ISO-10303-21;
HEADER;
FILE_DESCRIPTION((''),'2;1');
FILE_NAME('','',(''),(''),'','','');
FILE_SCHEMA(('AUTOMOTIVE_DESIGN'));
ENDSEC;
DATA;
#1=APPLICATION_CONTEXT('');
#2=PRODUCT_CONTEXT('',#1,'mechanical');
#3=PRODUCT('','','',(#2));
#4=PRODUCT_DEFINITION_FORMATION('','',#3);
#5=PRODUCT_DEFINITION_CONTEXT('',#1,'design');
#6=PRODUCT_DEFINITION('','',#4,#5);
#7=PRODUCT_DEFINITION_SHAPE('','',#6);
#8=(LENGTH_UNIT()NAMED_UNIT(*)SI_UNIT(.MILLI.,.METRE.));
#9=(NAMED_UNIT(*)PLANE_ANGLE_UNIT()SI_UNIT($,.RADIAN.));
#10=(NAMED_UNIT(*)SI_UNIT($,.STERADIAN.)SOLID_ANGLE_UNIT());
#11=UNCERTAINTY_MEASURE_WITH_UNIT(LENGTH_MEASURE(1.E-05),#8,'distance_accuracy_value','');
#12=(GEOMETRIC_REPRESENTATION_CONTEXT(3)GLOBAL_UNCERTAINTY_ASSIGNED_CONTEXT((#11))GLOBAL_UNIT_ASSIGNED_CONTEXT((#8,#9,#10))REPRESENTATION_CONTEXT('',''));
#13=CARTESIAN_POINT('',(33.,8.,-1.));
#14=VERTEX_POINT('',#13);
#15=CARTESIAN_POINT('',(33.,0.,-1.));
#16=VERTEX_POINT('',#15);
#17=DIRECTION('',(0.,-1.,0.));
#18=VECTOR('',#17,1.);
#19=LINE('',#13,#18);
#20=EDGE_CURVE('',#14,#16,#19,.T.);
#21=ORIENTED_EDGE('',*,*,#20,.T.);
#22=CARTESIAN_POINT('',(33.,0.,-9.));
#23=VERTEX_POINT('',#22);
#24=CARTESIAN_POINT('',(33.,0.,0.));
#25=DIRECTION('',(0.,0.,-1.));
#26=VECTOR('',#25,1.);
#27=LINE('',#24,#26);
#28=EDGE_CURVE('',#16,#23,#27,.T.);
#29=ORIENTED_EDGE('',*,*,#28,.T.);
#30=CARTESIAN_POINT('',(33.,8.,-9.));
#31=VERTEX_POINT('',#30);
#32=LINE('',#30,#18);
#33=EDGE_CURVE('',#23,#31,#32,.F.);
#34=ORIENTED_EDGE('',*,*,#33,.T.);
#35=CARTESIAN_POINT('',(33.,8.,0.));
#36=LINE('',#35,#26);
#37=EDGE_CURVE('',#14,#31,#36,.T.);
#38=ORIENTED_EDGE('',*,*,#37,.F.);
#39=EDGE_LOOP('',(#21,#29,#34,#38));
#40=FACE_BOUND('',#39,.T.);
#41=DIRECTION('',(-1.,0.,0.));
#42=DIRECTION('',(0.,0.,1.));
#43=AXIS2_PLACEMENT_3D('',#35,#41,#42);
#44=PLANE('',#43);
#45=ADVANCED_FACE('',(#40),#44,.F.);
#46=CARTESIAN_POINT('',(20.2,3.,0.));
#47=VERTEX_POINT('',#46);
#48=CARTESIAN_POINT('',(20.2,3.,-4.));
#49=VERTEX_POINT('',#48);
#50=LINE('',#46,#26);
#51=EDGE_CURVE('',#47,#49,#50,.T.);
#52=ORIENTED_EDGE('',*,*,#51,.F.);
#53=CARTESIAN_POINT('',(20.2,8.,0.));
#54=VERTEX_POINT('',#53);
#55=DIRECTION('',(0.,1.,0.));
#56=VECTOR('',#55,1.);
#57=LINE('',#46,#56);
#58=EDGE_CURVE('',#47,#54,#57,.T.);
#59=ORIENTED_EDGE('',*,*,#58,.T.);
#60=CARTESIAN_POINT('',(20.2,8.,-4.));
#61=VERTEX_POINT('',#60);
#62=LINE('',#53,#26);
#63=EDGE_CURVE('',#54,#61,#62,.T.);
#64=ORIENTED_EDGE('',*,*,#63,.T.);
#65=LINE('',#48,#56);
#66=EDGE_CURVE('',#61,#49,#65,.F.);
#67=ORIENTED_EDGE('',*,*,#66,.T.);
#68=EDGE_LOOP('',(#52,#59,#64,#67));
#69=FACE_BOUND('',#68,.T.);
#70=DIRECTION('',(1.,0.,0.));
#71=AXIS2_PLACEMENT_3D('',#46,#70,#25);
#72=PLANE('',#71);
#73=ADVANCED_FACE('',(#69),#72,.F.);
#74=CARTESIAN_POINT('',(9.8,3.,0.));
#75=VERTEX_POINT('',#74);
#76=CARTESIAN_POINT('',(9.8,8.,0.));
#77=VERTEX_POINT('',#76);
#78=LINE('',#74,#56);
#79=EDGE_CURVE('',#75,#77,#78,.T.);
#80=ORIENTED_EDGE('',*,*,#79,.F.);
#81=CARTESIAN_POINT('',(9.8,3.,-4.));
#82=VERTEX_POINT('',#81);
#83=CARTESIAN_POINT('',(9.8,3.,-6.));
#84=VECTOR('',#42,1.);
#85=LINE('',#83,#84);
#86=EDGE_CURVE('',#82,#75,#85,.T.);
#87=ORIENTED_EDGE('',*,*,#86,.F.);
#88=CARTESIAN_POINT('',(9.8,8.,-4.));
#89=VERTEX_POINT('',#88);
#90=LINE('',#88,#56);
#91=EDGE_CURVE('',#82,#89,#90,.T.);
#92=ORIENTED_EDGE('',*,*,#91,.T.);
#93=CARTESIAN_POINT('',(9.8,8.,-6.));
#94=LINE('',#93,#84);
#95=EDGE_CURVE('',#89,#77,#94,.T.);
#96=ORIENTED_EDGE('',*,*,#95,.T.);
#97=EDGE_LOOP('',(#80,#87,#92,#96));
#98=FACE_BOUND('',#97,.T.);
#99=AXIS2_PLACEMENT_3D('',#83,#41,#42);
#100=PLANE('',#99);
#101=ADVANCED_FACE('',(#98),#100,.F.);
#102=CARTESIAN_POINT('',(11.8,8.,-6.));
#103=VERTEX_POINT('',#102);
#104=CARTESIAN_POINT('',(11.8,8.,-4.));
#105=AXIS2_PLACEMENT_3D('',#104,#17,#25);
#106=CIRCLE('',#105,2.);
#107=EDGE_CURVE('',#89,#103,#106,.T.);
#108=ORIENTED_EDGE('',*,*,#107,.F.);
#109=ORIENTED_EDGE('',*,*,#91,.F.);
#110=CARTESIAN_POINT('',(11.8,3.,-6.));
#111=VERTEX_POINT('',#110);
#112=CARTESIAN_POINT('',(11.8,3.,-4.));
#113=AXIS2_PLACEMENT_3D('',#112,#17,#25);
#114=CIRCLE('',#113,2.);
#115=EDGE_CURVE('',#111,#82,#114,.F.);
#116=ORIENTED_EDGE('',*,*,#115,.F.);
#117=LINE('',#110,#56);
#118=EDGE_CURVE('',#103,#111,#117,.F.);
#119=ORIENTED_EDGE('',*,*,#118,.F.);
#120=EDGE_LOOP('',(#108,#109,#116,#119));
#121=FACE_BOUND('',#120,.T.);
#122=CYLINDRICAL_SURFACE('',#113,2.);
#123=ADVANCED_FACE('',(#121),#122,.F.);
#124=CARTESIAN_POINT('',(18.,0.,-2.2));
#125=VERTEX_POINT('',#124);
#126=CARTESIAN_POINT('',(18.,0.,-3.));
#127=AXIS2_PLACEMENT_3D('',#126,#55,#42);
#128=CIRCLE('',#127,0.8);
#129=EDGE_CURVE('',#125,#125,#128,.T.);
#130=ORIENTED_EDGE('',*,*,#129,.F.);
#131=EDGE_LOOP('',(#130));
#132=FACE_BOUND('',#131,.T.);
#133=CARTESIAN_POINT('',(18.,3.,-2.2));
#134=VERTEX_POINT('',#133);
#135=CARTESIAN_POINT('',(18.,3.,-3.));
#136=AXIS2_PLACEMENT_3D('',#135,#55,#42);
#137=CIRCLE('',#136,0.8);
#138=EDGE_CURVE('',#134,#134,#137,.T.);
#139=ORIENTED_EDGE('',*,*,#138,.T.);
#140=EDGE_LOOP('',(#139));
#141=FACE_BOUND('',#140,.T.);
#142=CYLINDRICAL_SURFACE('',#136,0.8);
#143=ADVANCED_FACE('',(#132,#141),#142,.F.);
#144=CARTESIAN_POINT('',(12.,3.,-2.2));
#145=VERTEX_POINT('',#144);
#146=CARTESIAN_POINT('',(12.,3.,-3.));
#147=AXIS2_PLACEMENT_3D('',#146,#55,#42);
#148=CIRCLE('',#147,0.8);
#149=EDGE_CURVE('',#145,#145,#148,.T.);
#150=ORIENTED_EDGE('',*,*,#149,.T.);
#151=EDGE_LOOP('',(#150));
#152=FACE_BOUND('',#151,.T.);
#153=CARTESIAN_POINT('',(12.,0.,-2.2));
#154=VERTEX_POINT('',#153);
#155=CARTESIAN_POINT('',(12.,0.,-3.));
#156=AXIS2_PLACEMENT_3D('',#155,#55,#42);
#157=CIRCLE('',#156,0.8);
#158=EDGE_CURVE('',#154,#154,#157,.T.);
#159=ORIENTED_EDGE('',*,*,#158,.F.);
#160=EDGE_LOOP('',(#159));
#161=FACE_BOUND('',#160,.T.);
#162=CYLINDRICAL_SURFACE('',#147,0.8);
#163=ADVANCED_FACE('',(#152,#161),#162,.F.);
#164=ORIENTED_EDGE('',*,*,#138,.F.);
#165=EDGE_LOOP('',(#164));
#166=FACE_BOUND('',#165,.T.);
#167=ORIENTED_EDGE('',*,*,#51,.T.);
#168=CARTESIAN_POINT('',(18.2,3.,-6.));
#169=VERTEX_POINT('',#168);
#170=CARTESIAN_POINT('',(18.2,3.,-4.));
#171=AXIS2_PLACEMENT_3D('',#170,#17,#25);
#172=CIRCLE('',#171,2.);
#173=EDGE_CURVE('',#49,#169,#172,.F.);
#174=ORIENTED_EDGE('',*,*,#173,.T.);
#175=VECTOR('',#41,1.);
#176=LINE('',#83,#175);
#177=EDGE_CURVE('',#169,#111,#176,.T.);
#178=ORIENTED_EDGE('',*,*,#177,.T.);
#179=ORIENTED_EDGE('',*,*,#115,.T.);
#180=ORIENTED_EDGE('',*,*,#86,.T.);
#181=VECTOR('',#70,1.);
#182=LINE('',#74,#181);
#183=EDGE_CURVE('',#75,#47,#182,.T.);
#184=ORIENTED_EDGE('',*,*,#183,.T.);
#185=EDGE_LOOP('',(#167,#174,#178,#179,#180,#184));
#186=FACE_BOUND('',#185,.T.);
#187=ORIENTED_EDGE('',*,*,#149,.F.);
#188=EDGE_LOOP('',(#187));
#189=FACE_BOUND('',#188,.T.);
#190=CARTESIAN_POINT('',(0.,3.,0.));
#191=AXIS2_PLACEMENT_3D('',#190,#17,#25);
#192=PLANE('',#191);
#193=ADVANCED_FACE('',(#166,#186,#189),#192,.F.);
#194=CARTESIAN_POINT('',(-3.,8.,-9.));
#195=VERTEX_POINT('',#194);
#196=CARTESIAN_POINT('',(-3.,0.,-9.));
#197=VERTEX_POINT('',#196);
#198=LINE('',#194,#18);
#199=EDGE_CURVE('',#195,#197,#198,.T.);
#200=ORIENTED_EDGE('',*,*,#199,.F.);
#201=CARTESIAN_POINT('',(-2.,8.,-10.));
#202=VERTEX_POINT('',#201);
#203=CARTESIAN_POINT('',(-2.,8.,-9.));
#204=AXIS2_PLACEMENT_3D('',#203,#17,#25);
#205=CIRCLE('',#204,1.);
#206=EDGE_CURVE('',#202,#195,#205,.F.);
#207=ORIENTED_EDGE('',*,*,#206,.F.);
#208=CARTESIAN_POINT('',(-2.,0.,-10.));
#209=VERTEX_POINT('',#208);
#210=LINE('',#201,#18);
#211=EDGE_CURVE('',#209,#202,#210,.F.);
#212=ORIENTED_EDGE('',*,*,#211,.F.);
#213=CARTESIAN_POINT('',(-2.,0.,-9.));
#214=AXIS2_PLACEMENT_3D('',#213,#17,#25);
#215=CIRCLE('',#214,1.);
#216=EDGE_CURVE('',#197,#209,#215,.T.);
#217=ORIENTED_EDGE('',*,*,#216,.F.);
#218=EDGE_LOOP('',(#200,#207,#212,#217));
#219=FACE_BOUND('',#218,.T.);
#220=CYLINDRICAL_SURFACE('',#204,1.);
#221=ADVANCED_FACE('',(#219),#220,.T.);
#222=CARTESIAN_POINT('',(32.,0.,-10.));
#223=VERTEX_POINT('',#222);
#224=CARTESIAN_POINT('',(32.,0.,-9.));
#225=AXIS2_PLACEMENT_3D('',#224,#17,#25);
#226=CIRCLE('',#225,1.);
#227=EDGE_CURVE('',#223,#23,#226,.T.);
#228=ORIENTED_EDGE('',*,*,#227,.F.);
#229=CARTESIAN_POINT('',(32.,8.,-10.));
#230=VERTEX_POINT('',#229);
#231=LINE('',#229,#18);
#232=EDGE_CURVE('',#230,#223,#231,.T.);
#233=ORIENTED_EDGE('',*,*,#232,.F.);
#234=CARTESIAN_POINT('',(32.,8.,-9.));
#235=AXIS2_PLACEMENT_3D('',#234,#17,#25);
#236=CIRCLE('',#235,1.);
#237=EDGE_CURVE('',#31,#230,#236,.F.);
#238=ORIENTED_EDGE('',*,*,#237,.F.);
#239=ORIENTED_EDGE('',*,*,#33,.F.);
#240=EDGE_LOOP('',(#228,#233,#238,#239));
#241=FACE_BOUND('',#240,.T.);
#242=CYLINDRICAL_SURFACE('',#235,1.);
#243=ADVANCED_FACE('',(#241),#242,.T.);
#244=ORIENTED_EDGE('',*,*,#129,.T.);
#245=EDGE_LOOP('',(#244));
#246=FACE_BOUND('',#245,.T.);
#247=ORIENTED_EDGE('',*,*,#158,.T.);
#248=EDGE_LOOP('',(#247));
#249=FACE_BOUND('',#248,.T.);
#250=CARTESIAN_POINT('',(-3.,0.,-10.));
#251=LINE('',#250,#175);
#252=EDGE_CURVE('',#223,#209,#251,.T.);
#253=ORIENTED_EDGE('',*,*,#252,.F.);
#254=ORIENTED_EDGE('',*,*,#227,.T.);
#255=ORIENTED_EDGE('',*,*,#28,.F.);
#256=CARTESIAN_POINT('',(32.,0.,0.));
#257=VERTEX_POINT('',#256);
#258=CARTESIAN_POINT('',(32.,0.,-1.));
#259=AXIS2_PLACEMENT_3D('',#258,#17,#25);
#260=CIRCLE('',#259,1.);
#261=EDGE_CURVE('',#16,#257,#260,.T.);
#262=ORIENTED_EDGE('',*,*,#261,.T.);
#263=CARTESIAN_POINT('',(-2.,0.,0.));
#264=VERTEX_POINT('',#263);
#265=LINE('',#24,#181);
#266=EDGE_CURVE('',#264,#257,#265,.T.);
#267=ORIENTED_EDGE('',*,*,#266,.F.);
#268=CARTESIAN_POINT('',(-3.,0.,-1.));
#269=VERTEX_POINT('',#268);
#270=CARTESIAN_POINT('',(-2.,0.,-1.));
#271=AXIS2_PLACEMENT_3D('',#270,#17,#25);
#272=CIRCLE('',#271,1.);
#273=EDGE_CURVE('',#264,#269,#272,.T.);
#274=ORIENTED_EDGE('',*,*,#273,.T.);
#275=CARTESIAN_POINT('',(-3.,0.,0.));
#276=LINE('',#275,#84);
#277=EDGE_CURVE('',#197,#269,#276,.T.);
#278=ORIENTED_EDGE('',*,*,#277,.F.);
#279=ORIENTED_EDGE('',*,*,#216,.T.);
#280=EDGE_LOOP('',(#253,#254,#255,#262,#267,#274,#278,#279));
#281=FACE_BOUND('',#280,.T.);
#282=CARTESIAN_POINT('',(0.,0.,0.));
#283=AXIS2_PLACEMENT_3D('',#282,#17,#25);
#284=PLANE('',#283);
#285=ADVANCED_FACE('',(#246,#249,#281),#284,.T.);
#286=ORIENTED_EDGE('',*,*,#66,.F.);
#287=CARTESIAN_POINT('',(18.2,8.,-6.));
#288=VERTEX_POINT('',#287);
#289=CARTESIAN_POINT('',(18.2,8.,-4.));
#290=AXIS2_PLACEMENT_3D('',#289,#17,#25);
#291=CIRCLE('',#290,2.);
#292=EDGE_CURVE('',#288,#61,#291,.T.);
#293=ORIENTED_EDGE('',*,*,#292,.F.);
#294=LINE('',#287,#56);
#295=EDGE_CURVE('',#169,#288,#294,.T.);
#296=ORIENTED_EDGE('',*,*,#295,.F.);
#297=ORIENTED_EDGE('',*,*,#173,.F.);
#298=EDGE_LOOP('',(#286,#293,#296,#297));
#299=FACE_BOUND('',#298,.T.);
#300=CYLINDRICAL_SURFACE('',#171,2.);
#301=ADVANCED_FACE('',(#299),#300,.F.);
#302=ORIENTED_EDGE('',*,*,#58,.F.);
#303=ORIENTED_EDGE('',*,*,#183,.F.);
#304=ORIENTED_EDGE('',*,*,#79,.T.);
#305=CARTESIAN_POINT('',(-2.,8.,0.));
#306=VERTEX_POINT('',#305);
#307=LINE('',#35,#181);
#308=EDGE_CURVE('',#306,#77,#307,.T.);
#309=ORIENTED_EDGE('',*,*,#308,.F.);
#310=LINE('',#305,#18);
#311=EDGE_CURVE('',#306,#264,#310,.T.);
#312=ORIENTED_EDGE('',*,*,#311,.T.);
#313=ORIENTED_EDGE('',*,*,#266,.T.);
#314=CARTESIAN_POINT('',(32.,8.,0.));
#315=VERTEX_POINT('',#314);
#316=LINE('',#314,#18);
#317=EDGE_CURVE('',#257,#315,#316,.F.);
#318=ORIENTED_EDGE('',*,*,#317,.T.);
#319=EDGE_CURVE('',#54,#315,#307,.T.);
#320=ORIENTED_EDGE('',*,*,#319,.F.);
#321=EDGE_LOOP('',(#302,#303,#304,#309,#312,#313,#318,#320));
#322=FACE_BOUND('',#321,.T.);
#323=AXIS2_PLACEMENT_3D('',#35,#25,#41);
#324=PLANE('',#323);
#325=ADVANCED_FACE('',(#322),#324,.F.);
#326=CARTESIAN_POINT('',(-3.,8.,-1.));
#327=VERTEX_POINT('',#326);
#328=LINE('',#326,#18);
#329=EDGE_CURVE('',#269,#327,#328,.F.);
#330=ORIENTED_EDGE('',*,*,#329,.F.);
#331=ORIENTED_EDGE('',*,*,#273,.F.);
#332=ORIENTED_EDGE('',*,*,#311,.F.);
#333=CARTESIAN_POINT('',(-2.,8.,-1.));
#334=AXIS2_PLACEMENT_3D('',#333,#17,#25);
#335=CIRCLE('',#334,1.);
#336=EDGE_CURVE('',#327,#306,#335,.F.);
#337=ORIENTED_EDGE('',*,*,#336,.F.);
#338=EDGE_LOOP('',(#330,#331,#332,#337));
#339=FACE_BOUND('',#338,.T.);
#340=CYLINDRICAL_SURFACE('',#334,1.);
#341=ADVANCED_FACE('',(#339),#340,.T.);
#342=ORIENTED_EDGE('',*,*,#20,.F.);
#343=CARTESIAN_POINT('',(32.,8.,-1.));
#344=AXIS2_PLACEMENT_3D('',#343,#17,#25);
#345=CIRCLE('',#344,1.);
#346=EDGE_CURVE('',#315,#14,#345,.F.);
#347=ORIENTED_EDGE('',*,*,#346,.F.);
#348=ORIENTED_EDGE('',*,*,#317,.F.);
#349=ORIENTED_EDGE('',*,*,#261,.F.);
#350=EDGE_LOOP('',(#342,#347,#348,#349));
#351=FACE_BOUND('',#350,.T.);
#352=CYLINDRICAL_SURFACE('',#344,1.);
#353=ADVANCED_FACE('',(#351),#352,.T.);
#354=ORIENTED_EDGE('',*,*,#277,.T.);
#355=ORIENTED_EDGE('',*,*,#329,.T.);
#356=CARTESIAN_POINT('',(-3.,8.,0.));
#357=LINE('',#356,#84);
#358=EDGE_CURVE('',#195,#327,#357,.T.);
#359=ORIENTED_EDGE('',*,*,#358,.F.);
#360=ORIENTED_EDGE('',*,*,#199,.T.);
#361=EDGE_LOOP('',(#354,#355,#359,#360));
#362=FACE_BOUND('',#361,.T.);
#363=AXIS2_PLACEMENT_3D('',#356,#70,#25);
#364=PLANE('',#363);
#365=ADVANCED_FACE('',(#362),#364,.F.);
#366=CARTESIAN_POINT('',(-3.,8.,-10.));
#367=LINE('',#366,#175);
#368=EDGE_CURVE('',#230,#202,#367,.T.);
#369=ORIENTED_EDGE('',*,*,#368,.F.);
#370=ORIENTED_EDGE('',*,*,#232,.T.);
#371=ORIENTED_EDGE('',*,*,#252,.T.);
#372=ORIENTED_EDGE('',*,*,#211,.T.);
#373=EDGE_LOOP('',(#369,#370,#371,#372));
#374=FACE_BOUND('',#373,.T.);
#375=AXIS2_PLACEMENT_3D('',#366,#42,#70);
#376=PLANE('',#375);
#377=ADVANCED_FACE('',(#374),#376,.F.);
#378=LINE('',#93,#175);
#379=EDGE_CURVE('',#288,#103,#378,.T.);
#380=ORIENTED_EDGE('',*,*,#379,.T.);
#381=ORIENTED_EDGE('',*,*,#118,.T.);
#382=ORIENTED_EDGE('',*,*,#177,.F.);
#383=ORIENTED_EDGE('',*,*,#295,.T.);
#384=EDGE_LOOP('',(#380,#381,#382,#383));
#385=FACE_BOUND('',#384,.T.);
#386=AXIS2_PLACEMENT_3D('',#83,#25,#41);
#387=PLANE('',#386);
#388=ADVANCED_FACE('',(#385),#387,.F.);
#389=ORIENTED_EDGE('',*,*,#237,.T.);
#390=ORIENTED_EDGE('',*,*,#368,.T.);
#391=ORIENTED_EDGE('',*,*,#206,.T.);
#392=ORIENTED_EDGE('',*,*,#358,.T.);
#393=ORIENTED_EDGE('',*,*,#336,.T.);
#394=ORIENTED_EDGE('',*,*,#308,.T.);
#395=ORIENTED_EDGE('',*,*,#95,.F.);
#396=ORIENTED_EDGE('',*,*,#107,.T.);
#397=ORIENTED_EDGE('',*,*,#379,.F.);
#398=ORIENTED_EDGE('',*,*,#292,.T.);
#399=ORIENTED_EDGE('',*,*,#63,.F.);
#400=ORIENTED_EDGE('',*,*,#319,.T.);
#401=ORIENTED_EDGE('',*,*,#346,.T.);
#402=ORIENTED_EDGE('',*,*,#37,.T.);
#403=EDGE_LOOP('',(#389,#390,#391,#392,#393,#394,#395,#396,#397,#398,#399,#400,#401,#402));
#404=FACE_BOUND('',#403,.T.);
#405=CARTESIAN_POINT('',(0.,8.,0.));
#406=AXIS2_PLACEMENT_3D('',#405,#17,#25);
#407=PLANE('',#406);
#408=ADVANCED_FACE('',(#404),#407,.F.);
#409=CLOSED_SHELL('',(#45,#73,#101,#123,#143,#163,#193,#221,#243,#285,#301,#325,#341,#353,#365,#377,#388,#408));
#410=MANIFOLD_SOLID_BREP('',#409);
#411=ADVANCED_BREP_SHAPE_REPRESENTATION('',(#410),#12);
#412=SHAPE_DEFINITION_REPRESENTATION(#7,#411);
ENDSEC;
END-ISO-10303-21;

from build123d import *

# Parameters (mm, degrees)
ESBO_O2_W                                  = 36
ESBO_O2_H                                  = 10
RESSALTO_EXTRUS_O2_DEPTH                   = 8
FILETE3_R                                  = 1
ESBO_O5_W                                  = 10.4
ESBO_O5_H                                  = 6
CORTE_EXTRUS_O1_DEPTH                      = 5
FILETE4_R                                  = 2
BROCA_DE_ROSQUEAR_PARA_TARRAXA_DE_M2X0_4_D = 1.6


with BuildPart() as part:
    # Esboço2 → Ressalto-extrusão2 (new body)
    with BuildSketch(Plane(origin=(0, 0, 0), x_dir=(1, 0, 0), z_dir=(0, 1, 0))):
        with Locations((15, 5)):
            Rectangle(ESBO_O2_W, ESBO_O2_H)
    extrude(amount=RESSALTO_EXTRUS_O2_DEPTH)

    # Filete3
    filete3_edges = [part.edges().sort_by_distance(p)[0] for p in [
        (33, 4, 0),
        (-3, 4, 0),
        (-3, 4, -10),
        (33, 4, -10),
    ]]
    fillet(filete3_edges, radius=FILETE3_R)

    # Esboço5 → Corte-extrusão1 (cut)
    with BuildSketch(Plane(origin=(0, 8, 0), x_dir=(1, 0, 0), z_dir=(0, 1, 0))):
        with Locations((15, 3)):
            Rectangle(ESBO_O5_W, ESBO_O5_H)
    extrude(amount=-CORTE_EXTRUS_O1_DEPTH, mode=Mode.SUBTRACT)

    # Filete4
    filete4_edges = [part.edges().sort_by_distance(p)[0] for p in [
        (20.2, 5.5, -6),
        (9.8, 5.5, -6),
    ]]
    fillet(filete4_edges, radius=FILETE4_R)

    # Broca de rosquear para tarraxa de M2x0.41 (through all)
    with Locations(Plane(origin=(12, 3, -3), x_dir=(0, 0, 1), z_dir=(0, 1, 0))):
        with Locations((0, 0), (0, 6)):
            Hole(BROCA_DE_ROSQUEAR_PARA_TARRAXA_DE_M2X0_4_D / 2)


solid = part.part
